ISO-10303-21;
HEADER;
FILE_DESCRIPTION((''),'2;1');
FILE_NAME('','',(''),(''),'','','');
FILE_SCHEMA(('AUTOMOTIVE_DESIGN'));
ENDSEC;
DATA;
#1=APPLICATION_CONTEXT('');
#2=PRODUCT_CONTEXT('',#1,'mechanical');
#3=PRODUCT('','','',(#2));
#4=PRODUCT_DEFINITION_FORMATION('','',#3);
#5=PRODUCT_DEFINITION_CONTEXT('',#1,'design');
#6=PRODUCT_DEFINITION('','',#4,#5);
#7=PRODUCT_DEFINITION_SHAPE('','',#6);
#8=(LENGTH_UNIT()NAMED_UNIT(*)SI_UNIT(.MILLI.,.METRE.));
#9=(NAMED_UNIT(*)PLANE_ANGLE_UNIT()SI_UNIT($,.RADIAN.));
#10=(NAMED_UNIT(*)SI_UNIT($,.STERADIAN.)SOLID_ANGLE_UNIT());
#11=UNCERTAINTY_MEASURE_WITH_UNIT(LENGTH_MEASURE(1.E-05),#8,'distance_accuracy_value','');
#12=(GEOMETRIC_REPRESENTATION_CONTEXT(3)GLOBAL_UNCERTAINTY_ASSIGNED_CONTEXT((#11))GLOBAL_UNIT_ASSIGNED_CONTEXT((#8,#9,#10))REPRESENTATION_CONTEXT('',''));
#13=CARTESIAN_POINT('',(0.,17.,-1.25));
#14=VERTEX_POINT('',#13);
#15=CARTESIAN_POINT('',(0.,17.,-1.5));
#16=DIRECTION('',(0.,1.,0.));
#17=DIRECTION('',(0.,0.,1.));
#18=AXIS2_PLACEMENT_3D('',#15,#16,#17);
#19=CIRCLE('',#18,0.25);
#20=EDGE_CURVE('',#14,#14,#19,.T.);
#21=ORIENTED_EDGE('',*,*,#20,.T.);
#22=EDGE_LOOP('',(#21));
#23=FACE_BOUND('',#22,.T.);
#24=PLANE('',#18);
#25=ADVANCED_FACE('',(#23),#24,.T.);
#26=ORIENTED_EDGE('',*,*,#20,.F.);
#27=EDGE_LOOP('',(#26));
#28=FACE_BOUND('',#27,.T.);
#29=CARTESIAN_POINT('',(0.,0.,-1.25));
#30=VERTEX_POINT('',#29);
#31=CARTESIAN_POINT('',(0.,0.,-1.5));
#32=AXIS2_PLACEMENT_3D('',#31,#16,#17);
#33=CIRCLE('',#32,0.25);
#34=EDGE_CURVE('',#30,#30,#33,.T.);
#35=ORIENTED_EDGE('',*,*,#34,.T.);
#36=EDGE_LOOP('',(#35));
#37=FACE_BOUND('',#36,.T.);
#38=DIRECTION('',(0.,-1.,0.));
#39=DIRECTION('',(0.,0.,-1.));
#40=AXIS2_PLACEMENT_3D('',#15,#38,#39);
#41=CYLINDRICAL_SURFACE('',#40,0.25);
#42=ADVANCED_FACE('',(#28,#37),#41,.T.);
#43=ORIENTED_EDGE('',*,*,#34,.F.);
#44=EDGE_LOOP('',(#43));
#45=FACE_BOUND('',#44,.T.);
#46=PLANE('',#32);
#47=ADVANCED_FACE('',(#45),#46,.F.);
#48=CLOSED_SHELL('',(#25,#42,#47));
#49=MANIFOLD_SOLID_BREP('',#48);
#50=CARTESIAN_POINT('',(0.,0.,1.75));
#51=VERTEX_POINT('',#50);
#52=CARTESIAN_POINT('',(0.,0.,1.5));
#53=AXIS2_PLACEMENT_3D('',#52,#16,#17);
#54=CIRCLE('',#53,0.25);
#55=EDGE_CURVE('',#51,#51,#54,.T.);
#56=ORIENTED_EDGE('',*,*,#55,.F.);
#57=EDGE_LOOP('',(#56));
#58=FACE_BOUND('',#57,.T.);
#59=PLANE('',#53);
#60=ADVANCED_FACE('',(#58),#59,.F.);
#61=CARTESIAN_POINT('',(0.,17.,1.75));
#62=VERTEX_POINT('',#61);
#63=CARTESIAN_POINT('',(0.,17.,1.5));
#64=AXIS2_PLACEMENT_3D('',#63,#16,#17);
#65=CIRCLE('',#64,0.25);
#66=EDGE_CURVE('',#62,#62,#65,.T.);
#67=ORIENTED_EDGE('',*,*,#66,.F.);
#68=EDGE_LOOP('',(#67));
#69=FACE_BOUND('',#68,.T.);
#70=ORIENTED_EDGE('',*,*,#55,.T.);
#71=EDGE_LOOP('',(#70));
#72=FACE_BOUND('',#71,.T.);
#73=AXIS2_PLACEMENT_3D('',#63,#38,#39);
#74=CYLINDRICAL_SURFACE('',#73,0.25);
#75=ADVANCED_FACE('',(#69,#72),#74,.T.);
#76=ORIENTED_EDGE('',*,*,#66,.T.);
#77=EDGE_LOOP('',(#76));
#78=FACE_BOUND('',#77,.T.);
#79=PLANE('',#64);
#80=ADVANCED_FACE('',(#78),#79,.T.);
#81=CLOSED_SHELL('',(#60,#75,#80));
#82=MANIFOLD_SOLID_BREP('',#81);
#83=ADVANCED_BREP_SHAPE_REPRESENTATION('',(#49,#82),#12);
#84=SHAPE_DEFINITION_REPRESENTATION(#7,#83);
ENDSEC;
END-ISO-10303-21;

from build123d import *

# Parameters (mm, degrees)
SKETCH3_R        = 0.25
EXTRUDE1_DEPTH   = 17
EXTRUDE1_2_DEPTH = 17


with BuildPart() as part:
    # Sketch3 → Extrude1 (new body)
    with BuildSketch(Plane(origin=(0, 0, 0), x_dir=(-1, 0, 0), z_dir=(0, 1, 0))):
        with Locations((0, 1.5)):
            Circle(SKETCH3_R)
    extrude(amount=EXTRUDE1_DEPTH)


with BuildPart() as body_2:
    # Sketch3 → Extrude1 2 (new body)
    with BuildSketch(Plane(origin=(0, 0, 0), x_dir=(-1, 0, 0), z_dir=(0, 1, 0))):
        with Locations((0, -1.5)):
            Circle(SKETCH3_R)
    extrude(amount=EXTRUDE1_2_DEPTH)


solid = Compound([part.part, body_2.part])
